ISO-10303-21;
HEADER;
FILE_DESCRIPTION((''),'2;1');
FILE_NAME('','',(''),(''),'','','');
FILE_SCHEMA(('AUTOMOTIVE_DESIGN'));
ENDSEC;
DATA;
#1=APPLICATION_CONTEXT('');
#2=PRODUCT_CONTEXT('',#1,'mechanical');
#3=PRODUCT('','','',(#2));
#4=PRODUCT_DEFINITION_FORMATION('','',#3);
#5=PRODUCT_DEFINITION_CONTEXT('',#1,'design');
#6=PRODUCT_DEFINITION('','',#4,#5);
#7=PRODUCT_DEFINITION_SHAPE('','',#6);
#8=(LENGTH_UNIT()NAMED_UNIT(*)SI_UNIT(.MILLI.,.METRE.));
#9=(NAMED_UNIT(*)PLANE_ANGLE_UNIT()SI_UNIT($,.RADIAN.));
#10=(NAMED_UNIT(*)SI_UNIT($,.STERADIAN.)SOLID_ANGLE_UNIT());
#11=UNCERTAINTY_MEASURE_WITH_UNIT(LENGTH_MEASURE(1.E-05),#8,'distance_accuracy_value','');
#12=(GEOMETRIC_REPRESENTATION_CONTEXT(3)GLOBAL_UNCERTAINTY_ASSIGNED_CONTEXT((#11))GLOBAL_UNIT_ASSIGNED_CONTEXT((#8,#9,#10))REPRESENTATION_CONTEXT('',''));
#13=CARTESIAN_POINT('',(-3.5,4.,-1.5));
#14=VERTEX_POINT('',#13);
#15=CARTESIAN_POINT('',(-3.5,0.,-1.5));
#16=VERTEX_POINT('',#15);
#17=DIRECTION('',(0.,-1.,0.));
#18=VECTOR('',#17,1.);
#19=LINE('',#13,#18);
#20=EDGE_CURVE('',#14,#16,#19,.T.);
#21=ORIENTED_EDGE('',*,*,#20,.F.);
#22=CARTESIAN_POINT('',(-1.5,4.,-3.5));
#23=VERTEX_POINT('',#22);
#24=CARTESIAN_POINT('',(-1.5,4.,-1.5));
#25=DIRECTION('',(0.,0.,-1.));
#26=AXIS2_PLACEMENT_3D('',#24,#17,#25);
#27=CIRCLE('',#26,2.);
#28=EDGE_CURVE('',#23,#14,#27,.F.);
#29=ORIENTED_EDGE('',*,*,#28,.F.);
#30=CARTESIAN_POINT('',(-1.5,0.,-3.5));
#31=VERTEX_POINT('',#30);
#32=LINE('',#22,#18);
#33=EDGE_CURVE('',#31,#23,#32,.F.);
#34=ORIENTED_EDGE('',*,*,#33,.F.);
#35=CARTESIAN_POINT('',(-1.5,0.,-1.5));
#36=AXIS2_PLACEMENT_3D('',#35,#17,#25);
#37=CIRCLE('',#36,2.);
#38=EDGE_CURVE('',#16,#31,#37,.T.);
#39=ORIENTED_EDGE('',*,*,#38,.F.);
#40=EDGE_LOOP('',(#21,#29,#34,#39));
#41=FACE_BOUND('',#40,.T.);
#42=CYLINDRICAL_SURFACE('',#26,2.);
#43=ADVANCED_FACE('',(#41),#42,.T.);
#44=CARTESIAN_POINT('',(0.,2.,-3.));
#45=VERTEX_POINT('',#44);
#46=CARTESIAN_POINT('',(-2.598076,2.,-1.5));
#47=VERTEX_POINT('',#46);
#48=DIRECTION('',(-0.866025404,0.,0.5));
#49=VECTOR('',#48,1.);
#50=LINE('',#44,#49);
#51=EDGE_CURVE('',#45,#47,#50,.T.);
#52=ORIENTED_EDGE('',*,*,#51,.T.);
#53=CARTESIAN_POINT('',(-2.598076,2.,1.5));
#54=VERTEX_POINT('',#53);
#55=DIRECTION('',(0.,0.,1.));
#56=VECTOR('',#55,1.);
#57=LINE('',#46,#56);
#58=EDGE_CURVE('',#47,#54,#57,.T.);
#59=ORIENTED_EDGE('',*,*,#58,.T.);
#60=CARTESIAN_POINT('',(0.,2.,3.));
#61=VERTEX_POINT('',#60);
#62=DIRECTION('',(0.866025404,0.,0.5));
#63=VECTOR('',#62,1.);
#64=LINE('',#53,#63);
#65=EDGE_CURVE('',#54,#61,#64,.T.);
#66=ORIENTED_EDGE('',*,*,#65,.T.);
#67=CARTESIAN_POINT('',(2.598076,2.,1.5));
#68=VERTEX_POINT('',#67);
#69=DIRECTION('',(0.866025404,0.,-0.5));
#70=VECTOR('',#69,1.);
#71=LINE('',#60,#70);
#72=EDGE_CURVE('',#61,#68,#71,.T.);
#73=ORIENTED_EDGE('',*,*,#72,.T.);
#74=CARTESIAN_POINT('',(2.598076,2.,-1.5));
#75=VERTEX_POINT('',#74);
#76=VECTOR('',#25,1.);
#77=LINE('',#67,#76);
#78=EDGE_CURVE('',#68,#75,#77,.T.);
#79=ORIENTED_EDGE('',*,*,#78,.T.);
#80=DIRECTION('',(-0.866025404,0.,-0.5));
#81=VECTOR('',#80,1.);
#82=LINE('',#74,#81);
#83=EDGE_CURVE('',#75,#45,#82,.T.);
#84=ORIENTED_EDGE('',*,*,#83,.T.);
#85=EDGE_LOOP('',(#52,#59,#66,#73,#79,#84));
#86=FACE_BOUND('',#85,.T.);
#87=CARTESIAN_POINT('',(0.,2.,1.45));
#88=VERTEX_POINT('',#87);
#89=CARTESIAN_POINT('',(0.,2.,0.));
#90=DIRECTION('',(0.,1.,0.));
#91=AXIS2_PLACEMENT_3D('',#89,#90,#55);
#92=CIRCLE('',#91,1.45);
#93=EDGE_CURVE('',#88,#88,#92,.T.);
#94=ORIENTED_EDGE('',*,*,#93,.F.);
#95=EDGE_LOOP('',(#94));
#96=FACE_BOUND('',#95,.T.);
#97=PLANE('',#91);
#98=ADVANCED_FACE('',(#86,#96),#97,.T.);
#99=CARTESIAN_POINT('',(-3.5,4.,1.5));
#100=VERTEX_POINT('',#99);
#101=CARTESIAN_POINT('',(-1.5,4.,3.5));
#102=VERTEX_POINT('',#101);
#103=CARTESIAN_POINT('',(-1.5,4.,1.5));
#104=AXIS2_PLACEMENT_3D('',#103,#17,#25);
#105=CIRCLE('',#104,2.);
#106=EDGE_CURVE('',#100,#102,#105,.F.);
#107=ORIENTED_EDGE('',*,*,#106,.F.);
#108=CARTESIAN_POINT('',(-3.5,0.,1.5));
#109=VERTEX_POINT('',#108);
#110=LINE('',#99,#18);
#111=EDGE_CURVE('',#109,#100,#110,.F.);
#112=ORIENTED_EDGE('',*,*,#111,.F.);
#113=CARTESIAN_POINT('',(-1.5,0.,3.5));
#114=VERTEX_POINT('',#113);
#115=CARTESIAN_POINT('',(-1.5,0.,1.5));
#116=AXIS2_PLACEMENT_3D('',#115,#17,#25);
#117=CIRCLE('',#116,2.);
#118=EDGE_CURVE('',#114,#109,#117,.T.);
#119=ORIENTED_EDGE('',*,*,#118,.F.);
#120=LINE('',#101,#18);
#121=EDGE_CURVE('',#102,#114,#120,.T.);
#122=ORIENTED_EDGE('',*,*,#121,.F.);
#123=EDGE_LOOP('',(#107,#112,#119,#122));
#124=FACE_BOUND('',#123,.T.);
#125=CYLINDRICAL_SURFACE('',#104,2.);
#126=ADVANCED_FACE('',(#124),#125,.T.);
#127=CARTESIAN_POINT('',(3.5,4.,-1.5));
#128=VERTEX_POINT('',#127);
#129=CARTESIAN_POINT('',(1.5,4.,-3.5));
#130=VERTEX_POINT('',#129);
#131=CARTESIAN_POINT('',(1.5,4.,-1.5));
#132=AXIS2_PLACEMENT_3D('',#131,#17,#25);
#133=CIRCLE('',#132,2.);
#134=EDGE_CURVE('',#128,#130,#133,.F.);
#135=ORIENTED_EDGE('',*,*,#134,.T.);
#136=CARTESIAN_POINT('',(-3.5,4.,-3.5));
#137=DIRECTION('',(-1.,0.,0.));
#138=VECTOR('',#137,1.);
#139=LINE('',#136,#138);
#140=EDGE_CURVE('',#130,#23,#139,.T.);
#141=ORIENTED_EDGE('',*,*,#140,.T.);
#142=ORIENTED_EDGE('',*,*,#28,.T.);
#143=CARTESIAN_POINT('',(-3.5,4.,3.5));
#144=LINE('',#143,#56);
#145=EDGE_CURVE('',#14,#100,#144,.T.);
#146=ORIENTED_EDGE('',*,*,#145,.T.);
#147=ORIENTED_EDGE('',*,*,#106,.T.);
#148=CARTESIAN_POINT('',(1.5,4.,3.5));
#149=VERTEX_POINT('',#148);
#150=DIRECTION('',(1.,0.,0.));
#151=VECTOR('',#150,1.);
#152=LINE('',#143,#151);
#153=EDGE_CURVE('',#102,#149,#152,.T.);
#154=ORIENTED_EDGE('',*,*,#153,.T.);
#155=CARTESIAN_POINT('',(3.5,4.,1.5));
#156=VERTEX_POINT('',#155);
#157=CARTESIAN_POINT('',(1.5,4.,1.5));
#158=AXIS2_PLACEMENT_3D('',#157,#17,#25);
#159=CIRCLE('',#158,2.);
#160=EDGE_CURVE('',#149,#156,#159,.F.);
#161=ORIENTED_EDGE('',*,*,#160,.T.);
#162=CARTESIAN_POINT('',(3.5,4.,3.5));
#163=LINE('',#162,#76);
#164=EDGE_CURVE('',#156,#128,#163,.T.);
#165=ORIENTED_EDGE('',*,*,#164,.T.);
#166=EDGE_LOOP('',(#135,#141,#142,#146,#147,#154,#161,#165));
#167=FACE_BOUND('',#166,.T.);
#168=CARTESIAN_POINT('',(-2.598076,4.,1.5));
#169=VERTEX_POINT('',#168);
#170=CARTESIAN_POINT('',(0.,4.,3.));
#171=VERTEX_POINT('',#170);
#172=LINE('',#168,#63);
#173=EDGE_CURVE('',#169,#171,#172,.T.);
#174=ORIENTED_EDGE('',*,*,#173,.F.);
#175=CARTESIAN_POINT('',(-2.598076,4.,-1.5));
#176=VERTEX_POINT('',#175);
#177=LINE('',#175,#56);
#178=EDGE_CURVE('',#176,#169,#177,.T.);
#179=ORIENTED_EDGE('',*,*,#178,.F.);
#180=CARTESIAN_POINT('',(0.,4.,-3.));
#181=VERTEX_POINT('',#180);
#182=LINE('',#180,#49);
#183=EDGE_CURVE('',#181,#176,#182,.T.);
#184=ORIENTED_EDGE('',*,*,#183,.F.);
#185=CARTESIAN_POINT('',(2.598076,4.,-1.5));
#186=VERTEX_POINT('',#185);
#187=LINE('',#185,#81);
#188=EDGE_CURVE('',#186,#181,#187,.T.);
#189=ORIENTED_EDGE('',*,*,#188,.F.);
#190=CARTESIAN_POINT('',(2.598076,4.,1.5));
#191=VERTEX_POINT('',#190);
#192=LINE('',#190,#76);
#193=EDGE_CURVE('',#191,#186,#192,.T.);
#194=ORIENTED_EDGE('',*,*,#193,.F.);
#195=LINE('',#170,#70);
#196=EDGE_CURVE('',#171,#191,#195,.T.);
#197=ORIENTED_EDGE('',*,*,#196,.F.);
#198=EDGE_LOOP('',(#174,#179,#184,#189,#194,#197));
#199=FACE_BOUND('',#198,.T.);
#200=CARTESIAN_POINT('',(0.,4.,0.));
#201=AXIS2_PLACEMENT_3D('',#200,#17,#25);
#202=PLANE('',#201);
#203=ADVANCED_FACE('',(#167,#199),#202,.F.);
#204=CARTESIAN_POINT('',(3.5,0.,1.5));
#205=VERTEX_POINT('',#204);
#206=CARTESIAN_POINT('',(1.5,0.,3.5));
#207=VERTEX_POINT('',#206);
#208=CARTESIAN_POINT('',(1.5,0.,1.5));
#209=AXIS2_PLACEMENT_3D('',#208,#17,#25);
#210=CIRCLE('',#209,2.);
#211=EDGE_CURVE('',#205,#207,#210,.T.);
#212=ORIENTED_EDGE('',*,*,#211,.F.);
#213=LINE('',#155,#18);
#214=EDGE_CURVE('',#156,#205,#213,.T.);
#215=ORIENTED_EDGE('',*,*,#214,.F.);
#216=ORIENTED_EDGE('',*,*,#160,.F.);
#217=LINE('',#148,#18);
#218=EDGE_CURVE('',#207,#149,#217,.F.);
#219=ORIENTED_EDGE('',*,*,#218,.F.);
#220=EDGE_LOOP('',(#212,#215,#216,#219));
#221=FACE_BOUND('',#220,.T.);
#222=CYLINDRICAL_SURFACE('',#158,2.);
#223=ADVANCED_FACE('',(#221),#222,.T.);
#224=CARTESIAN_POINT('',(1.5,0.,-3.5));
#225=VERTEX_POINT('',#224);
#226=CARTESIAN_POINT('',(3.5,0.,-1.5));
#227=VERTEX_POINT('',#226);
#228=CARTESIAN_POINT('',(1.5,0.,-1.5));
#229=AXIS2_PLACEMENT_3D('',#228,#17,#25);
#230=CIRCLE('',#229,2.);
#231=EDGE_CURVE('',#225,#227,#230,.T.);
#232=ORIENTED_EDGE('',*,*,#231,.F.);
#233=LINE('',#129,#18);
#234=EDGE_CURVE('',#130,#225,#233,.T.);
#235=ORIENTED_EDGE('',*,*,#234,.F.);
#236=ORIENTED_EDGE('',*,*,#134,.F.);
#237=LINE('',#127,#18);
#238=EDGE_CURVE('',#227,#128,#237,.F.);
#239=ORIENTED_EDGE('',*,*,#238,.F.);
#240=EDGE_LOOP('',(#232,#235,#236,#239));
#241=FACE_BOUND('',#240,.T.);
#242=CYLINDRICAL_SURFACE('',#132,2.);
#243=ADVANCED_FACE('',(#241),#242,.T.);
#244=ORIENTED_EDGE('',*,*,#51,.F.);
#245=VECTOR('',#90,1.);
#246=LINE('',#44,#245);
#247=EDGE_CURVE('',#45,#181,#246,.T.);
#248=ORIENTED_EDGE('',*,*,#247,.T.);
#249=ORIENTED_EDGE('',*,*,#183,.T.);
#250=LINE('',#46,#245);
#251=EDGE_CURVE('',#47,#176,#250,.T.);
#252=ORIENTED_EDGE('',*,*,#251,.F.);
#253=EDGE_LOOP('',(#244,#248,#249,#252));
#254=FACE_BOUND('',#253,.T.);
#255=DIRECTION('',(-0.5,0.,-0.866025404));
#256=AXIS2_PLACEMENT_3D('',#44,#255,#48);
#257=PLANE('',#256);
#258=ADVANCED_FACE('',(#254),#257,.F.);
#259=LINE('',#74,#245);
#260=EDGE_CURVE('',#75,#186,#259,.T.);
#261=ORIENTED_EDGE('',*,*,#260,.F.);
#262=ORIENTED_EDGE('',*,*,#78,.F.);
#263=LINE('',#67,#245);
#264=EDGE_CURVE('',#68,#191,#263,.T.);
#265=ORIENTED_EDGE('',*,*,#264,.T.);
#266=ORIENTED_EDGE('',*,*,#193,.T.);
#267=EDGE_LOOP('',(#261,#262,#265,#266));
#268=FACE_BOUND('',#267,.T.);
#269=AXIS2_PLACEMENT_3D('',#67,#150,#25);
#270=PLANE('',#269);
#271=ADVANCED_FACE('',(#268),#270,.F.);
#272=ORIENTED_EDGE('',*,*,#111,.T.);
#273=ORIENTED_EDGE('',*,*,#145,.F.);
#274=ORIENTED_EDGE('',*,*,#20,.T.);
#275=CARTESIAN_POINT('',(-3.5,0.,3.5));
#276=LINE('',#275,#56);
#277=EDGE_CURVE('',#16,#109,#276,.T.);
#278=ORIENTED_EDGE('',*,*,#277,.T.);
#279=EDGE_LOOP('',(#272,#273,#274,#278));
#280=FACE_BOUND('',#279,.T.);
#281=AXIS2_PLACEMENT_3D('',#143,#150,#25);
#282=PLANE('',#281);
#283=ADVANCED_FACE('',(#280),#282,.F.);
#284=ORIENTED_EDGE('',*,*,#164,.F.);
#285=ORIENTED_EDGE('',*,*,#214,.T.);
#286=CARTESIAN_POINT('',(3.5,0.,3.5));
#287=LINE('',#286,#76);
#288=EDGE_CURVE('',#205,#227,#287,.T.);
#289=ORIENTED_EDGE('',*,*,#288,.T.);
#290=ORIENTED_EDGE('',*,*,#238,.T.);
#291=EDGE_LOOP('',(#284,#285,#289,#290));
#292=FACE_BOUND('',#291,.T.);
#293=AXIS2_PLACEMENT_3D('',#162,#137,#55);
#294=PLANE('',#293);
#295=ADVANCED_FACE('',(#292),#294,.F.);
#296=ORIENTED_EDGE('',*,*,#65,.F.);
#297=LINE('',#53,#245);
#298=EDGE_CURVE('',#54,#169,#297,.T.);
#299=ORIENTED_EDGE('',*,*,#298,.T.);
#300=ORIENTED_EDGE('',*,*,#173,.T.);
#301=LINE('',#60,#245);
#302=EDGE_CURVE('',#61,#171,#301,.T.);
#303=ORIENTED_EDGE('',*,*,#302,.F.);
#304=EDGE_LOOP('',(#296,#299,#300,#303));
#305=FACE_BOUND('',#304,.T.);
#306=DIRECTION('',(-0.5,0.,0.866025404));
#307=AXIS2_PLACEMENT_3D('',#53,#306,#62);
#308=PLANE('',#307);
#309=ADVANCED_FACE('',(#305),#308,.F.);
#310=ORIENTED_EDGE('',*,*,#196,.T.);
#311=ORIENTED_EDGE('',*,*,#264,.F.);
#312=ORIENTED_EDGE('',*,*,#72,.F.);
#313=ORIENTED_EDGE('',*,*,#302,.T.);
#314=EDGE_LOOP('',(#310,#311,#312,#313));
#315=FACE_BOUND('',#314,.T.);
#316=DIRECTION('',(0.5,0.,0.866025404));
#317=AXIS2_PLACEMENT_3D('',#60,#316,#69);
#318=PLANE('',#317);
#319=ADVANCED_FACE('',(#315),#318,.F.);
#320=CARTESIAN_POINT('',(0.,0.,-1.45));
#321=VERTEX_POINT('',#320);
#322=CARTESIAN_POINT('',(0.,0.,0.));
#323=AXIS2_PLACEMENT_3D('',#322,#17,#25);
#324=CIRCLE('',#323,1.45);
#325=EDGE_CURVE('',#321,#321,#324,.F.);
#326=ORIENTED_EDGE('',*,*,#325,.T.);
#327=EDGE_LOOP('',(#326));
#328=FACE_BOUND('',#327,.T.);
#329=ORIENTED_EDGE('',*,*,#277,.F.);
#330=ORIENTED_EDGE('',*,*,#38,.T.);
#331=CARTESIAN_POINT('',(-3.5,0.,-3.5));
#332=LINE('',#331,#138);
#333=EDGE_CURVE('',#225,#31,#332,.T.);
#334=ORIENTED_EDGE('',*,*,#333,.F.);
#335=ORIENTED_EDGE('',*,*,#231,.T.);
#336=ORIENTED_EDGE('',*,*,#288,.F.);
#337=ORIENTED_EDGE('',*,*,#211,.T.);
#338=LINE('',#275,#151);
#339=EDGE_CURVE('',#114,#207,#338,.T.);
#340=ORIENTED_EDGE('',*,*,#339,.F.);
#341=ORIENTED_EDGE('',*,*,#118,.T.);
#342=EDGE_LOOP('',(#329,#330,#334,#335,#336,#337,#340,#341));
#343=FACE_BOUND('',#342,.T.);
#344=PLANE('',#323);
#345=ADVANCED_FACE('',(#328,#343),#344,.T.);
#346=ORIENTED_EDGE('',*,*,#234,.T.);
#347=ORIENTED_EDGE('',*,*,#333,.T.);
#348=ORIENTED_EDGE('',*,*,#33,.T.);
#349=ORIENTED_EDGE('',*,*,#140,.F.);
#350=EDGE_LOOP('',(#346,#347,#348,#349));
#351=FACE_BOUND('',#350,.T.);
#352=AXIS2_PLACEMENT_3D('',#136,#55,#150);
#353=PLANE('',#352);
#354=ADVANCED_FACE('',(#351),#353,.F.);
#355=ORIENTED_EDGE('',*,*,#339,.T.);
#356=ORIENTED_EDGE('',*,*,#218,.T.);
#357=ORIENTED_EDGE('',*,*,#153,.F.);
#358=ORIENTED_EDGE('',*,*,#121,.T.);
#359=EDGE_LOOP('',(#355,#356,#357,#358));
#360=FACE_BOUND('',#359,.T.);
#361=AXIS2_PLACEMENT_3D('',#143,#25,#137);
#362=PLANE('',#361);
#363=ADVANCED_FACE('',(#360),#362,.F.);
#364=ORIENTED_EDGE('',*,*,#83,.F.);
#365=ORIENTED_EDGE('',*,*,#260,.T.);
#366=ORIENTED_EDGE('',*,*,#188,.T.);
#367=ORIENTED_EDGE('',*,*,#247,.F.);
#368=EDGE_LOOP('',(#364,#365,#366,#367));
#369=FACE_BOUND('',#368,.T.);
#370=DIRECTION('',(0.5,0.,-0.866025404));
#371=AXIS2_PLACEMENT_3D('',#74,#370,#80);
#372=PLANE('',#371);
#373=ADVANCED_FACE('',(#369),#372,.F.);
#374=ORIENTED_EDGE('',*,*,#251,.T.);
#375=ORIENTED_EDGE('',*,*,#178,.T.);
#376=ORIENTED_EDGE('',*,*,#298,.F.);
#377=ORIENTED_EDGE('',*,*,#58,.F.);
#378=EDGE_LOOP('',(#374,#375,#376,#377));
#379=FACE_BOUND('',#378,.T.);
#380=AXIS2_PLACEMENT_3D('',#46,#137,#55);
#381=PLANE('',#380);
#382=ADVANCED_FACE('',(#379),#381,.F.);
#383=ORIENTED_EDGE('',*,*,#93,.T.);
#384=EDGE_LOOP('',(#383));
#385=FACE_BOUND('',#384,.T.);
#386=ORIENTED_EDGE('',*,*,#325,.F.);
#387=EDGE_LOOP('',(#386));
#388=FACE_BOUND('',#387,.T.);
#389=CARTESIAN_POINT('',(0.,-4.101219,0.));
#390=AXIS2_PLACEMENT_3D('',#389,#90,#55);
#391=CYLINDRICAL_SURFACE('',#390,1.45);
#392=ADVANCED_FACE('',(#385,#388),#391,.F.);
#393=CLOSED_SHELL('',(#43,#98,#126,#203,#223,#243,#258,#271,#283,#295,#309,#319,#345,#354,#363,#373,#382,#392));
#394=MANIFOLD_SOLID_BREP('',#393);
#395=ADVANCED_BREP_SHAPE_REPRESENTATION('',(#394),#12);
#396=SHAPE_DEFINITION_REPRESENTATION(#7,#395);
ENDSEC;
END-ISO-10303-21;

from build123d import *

# Parameters (mm, degrees)
SKETCH1_W           = 7
SKETCH1_H           = 7
BOSS_EXTRUDE1_DEPTH = 4
CUT_EXTRUDE1_DEPTH  = 2
SKETCH4_R           = 1.45
CUT_EXTRUDE2_DEPTH  = 2
FILLET1_R           = 2


with BuildPart() as part:
    # Sketch1 → Boss-Extrude1 (new body)
    with BuildSketch(Plane(origin=(0, 0, 0), x_dir=(1, 0, 0), z_dir=(0, 1, 0))):
        Rectangle(SKETCH1_W, SKETCH1_H)
    extrude(amount=BOSS_EXTRUDE1_DEPTH)

    # Sketch2 → Cut-Extrude1 (cut)
    with BuildSketch(Plane(origin=(0, 4, 0), x_dir=(1, 0, 0), z_dir=(0, 1, 0))):
        Polygon((2.598076211, -1.5), (2.598076211, 1.5), (0, 3), (-2.598076211, 1.5), (-2.598076211, -1.5), (0, -3), align=None)
    extrude(amount=-CUT_EXTRUDE1_DEPTH, mode=Mode.SUBTRACT)

    # Sketch4 → Cut-Extrude2 (cut)
    with BuildSketch(Plane(origin=(0, 2, 0), x_dir=(1, 0, 0), z_dir=(0, 1, 0))):
        with Locations(Location((0, 0, 0), (0, 0, 270))):
            Circle(SKETCH4_R)
    extrude(amount=-CUT_EXTRUDE2_DEPTH, mode=Mode.SUBTRACT)

    # Fillet1
    fillet1_edges = [part.edges().sort_by_distance(p)[0] for p in [
        (3.5, 2, 3.5),
        (-3.5, 2, 3.5),
        (-3.5, 2, -3.5),
        (3.5, 2, -3.5),
    ]]
    fillet(fillet1_edges, radius=FILLET1_R)


solid = part.part
